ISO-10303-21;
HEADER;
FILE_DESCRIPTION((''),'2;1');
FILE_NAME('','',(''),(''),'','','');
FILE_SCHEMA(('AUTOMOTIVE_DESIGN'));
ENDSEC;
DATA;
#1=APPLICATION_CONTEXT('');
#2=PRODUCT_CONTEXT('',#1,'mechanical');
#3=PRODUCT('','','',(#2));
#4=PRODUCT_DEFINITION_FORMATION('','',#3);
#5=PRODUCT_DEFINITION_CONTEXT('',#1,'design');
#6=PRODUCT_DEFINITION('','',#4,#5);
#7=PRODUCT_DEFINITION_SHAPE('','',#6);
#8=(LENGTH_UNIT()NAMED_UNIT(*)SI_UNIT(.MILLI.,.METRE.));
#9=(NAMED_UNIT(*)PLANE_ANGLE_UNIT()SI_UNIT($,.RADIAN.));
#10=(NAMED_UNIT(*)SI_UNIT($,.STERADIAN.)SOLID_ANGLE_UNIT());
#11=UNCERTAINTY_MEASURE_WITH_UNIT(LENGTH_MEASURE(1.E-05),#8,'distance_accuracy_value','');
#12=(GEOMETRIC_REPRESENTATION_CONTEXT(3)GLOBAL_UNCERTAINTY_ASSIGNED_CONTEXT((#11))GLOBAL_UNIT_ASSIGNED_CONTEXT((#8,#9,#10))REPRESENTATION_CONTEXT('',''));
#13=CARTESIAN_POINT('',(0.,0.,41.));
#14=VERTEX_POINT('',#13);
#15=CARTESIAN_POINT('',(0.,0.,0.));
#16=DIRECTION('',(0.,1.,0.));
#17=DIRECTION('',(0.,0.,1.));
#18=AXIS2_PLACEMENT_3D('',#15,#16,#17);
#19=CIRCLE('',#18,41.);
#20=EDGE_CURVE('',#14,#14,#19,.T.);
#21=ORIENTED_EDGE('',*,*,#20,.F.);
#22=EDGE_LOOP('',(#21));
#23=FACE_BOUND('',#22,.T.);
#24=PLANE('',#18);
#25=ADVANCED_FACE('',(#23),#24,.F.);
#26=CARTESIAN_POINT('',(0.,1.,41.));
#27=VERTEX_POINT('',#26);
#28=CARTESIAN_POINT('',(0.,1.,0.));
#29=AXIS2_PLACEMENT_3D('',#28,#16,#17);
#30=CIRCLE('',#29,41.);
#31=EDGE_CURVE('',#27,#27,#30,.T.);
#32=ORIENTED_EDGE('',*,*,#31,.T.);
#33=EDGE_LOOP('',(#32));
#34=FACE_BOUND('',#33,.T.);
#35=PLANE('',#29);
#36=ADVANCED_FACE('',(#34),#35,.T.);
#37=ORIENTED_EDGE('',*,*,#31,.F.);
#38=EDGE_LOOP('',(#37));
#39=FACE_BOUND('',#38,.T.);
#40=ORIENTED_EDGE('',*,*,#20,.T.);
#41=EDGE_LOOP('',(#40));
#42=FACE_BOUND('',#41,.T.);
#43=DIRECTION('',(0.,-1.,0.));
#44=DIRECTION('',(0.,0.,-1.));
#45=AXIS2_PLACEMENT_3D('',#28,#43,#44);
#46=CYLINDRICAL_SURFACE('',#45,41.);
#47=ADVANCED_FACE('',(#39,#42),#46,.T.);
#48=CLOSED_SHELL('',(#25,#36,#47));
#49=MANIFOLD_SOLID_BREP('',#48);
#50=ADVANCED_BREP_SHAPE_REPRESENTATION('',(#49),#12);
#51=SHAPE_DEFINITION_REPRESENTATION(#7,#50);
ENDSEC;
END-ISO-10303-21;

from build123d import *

# Parameters (mm, degrees)
ESQUISSE1_R        = 41
BOSS_EXTRU_1_DEPTH = 1


with BuildPart() as part:
    # Esquisse1 → Boss.-Extru.1 (new body)
    with BuildSketch(Plane(origin=(0, 0, 0), x_dir=(1, 0, 0), z_dir=(0, 1, 0))):
        with Locations(Location((0, 0, 0), (0, 0, 270))):
            Circle(ESQUISSE1_R)
    extrude(amount=BOSS_EXTRU_1_DEPTH)


solid = part.part
